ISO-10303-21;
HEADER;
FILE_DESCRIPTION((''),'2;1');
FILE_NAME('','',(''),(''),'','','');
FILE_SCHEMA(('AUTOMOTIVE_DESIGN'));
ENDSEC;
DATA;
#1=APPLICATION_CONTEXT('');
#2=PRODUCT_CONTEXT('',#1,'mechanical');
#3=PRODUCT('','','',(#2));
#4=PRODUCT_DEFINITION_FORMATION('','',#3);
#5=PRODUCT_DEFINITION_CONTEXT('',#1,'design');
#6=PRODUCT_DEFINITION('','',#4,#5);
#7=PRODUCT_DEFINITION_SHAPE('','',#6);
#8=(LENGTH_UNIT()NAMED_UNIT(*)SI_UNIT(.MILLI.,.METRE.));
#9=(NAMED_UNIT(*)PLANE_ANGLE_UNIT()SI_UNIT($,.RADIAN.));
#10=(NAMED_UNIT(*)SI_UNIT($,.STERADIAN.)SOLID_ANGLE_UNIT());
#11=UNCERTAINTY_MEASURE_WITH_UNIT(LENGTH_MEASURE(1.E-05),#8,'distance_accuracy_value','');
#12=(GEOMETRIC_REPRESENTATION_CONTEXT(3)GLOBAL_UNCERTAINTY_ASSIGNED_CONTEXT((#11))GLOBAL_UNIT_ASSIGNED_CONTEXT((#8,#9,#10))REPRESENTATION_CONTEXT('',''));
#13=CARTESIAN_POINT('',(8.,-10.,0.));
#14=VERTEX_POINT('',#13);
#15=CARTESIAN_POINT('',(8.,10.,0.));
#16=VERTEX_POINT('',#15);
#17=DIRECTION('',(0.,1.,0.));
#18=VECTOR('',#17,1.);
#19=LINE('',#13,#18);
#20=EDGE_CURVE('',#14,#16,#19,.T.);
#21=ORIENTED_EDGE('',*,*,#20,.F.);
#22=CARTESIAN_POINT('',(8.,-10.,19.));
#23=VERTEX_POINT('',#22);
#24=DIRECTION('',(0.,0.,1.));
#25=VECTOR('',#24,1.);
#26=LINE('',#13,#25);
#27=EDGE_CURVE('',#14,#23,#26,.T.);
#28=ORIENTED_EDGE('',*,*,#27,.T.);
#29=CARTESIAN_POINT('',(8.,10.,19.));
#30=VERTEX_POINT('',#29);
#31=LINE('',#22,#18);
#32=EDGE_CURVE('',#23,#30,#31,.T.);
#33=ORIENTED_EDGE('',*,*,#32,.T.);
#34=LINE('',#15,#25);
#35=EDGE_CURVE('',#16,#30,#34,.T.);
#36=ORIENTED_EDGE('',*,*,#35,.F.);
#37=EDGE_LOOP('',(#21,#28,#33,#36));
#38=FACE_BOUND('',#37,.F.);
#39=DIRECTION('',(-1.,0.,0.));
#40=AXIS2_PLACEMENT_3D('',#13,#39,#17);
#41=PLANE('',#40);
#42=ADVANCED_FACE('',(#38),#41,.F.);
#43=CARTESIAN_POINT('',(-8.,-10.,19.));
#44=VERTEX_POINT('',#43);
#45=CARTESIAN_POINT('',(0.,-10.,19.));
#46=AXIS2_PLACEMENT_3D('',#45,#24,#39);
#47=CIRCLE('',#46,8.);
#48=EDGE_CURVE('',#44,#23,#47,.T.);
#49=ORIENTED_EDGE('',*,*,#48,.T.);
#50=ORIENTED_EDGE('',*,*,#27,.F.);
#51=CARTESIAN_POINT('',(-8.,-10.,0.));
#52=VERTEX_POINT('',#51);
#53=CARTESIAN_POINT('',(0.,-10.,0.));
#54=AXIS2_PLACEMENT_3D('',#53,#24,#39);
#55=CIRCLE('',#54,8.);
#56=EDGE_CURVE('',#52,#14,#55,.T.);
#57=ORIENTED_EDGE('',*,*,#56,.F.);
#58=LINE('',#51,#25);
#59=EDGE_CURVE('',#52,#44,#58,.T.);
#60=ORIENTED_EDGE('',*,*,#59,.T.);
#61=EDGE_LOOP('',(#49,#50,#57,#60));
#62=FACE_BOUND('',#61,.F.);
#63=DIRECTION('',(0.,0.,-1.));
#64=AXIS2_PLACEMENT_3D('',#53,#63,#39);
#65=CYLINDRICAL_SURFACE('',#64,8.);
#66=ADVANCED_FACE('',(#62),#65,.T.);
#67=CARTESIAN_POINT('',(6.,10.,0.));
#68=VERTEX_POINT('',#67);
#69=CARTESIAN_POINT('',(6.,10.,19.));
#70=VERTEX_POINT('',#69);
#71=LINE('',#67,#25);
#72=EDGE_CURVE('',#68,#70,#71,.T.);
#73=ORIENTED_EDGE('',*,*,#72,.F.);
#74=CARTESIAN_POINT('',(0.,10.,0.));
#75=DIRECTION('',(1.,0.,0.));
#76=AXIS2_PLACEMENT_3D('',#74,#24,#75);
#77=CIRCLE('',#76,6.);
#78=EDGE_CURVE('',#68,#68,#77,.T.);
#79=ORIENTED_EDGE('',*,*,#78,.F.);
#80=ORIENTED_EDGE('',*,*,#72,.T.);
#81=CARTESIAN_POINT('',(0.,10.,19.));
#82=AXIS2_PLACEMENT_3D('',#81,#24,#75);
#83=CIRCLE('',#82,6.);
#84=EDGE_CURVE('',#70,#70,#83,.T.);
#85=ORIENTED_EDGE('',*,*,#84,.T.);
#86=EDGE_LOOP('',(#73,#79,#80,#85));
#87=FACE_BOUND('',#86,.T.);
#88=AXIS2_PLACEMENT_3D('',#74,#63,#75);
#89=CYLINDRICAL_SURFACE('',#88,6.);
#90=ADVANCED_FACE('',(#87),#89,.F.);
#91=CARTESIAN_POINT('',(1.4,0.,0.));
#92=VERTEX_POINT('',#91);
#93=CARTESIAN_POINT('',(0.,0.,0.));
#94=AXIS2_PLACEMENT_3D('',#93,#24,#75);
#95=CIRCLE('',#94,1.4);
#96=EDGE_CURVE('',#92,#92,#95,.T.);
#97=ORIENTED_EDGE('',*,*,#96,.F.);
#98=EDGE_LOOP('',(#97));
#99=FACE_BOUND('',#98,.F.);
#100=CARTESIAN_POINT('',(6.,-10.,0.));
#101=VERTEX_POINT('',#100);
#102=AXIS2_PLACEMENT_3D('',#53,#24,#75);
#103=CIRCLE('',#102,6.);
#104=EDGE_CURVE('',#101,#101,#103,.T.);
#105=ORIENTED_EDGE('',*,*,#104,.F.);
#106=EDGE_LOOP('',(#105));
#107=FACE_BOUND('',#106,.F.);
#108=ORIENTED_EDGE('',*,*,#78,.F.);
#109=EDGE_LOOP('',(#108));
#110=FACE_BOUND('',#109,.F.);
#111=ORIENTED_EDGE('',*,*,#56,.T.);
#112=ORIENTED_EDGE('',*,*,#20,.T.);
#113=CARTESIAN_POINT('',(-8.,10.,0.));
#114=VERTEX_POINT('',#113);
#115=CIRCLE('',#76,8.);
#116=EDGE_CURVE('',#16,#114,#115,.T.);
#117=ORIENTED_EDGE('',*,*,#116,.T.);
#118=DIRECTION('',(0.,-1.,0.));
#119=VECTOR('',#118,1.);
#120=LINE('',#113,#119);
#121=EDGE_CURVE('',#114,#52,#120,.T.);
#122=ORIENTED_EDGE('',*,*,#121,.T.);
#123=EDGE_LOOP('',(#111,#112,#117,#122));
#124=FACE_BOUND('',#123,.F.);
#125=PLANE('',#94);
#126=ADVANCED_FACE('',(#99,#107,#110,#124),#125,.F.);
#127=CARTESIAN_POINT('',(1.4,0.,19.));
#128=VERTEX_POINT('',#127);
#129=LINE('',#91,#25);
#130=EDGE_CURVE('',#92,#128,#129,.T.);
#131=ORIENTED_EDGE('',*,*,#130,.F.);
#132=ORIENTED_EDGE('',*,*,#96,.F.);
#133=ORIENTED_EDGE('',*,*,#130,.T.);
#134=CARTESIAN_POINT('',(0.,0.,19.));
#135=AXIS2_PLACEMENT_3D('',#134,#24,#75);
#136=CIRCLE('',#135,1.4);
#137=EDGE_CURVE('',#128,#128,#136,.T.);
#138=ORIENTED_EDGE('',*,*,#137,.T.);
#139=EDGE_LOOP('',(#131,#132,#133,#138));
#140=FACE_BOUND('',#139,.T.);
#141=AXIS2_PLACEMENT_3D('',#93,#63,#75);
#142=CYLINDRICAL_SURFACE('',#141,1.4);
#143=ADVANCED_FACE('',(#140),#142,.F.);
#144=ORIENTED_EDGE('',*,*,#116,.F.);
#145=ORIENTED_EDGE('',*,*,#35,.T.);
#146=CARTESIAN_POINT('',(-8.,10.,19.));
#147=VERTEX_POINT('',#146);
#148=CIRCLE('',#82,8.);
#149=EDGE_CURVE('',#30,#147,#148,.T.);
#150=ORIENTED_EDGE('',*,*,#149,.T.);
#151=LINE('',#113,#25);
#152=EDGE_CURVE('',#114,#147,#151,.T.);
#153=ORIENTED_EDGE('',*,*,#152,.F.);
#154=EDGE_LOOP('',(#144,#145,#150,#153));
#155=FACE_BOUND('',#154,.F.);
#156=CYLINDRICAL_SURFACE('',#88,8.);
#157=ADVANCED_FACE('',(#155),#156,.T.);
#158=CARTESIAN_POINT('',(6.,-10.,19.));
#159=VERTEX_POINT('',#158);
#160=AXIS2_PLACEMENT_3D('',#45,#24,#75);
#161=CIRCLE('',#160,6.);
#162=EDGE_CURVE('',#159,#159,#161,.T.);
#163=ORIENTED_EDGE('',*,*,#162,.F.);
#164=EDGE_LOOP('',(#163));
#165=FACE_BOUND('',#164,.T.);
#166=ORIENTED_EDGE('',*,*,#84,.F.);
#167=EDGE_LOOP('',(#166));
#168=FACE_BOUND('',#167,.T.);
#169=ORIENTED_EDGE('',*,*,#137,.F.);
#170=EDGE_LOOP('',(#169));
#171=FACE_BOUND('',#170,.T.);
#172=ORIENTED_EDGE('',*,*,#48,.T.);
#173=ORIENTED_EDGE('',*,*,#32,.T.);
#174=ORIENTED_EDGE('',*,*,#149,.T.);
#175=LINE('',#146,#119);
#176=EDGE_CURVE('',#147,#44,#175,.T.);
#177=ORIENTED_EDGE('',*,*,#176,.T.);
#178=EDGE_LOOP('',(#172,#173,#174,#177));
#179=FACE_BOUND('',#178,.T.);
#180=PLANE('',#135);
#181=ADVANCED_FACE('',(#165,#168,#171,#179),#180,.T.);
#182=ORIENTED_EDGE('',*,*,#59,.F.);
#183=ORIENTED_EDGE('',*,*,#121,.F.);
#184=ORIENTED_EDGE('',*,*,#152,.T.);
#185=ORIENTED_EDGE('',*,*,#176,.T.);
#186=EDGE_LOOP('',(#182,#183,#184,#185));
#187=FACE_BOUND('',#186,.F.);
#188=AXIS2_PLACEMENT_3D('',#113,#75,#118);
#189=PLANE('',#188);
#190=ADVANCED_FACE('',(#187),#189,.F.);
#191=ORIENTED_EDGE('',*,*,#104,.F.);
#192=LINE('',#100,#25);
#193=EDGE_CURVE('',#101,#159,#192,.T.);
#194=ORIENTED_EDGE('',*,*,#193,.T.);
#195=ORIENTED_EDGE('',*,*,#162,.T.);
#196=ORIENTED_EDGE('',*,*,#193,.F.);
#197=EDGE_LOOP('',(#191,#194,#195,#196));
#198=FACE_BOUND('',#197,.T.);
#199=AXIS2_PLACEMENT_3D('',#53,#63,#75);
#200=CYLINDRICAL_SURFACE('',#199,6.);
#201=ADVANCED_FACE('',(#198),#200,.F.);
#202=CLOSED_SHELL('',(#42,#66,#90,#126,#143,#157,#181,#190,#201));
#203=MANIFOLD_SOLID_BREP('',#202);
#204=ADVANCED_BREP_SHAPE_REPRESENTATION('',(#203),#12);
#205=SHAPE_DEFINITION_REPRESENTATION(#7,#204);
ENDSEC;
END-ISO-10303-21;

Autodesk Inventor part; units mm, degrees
ref_plane "YZ Plane" through (0, 0, 0) normal (1, 0, 0) x (0, 1, 0)
ref_plane "XZ Plane" through (0, 0, 0) normal (0, 1, 0) x (-1, 0, 0)
ref_plane "XY Plane" through (0, 0, 0) normal (0, 0, 1) x (1, 0, 0)
sketch "Эскиз1" plane through (0, 0, 0) normal (0, 0, 1) x (1, 0, 0)
  circle A0 centre (0, 10) radius 6
  circle A1 centre (0, -10) radius 6
  line L0 (0, -10) -> (0, 10) construction
  line L1 (8, -10) -> (8, 10)
  line L2 (-8, 10) -> (-8, -10)
  arc A2 (-8, -10) -> (8, -10) centre (0, -10) ccw
  arc A3 (8, 10) -> (-8, 10) centre (0, 10) ccw
  circle A4 centre (0, 0) radius 1.4
  dimension "d0" = 12
  dimension "d1" = 8
  dimension "d2" = 20
  dimension "d5" = 2.8
extrude "Выдавливание1" add sketch "Эскиз1" along normal blind 19
properties part number "BearingIn"
